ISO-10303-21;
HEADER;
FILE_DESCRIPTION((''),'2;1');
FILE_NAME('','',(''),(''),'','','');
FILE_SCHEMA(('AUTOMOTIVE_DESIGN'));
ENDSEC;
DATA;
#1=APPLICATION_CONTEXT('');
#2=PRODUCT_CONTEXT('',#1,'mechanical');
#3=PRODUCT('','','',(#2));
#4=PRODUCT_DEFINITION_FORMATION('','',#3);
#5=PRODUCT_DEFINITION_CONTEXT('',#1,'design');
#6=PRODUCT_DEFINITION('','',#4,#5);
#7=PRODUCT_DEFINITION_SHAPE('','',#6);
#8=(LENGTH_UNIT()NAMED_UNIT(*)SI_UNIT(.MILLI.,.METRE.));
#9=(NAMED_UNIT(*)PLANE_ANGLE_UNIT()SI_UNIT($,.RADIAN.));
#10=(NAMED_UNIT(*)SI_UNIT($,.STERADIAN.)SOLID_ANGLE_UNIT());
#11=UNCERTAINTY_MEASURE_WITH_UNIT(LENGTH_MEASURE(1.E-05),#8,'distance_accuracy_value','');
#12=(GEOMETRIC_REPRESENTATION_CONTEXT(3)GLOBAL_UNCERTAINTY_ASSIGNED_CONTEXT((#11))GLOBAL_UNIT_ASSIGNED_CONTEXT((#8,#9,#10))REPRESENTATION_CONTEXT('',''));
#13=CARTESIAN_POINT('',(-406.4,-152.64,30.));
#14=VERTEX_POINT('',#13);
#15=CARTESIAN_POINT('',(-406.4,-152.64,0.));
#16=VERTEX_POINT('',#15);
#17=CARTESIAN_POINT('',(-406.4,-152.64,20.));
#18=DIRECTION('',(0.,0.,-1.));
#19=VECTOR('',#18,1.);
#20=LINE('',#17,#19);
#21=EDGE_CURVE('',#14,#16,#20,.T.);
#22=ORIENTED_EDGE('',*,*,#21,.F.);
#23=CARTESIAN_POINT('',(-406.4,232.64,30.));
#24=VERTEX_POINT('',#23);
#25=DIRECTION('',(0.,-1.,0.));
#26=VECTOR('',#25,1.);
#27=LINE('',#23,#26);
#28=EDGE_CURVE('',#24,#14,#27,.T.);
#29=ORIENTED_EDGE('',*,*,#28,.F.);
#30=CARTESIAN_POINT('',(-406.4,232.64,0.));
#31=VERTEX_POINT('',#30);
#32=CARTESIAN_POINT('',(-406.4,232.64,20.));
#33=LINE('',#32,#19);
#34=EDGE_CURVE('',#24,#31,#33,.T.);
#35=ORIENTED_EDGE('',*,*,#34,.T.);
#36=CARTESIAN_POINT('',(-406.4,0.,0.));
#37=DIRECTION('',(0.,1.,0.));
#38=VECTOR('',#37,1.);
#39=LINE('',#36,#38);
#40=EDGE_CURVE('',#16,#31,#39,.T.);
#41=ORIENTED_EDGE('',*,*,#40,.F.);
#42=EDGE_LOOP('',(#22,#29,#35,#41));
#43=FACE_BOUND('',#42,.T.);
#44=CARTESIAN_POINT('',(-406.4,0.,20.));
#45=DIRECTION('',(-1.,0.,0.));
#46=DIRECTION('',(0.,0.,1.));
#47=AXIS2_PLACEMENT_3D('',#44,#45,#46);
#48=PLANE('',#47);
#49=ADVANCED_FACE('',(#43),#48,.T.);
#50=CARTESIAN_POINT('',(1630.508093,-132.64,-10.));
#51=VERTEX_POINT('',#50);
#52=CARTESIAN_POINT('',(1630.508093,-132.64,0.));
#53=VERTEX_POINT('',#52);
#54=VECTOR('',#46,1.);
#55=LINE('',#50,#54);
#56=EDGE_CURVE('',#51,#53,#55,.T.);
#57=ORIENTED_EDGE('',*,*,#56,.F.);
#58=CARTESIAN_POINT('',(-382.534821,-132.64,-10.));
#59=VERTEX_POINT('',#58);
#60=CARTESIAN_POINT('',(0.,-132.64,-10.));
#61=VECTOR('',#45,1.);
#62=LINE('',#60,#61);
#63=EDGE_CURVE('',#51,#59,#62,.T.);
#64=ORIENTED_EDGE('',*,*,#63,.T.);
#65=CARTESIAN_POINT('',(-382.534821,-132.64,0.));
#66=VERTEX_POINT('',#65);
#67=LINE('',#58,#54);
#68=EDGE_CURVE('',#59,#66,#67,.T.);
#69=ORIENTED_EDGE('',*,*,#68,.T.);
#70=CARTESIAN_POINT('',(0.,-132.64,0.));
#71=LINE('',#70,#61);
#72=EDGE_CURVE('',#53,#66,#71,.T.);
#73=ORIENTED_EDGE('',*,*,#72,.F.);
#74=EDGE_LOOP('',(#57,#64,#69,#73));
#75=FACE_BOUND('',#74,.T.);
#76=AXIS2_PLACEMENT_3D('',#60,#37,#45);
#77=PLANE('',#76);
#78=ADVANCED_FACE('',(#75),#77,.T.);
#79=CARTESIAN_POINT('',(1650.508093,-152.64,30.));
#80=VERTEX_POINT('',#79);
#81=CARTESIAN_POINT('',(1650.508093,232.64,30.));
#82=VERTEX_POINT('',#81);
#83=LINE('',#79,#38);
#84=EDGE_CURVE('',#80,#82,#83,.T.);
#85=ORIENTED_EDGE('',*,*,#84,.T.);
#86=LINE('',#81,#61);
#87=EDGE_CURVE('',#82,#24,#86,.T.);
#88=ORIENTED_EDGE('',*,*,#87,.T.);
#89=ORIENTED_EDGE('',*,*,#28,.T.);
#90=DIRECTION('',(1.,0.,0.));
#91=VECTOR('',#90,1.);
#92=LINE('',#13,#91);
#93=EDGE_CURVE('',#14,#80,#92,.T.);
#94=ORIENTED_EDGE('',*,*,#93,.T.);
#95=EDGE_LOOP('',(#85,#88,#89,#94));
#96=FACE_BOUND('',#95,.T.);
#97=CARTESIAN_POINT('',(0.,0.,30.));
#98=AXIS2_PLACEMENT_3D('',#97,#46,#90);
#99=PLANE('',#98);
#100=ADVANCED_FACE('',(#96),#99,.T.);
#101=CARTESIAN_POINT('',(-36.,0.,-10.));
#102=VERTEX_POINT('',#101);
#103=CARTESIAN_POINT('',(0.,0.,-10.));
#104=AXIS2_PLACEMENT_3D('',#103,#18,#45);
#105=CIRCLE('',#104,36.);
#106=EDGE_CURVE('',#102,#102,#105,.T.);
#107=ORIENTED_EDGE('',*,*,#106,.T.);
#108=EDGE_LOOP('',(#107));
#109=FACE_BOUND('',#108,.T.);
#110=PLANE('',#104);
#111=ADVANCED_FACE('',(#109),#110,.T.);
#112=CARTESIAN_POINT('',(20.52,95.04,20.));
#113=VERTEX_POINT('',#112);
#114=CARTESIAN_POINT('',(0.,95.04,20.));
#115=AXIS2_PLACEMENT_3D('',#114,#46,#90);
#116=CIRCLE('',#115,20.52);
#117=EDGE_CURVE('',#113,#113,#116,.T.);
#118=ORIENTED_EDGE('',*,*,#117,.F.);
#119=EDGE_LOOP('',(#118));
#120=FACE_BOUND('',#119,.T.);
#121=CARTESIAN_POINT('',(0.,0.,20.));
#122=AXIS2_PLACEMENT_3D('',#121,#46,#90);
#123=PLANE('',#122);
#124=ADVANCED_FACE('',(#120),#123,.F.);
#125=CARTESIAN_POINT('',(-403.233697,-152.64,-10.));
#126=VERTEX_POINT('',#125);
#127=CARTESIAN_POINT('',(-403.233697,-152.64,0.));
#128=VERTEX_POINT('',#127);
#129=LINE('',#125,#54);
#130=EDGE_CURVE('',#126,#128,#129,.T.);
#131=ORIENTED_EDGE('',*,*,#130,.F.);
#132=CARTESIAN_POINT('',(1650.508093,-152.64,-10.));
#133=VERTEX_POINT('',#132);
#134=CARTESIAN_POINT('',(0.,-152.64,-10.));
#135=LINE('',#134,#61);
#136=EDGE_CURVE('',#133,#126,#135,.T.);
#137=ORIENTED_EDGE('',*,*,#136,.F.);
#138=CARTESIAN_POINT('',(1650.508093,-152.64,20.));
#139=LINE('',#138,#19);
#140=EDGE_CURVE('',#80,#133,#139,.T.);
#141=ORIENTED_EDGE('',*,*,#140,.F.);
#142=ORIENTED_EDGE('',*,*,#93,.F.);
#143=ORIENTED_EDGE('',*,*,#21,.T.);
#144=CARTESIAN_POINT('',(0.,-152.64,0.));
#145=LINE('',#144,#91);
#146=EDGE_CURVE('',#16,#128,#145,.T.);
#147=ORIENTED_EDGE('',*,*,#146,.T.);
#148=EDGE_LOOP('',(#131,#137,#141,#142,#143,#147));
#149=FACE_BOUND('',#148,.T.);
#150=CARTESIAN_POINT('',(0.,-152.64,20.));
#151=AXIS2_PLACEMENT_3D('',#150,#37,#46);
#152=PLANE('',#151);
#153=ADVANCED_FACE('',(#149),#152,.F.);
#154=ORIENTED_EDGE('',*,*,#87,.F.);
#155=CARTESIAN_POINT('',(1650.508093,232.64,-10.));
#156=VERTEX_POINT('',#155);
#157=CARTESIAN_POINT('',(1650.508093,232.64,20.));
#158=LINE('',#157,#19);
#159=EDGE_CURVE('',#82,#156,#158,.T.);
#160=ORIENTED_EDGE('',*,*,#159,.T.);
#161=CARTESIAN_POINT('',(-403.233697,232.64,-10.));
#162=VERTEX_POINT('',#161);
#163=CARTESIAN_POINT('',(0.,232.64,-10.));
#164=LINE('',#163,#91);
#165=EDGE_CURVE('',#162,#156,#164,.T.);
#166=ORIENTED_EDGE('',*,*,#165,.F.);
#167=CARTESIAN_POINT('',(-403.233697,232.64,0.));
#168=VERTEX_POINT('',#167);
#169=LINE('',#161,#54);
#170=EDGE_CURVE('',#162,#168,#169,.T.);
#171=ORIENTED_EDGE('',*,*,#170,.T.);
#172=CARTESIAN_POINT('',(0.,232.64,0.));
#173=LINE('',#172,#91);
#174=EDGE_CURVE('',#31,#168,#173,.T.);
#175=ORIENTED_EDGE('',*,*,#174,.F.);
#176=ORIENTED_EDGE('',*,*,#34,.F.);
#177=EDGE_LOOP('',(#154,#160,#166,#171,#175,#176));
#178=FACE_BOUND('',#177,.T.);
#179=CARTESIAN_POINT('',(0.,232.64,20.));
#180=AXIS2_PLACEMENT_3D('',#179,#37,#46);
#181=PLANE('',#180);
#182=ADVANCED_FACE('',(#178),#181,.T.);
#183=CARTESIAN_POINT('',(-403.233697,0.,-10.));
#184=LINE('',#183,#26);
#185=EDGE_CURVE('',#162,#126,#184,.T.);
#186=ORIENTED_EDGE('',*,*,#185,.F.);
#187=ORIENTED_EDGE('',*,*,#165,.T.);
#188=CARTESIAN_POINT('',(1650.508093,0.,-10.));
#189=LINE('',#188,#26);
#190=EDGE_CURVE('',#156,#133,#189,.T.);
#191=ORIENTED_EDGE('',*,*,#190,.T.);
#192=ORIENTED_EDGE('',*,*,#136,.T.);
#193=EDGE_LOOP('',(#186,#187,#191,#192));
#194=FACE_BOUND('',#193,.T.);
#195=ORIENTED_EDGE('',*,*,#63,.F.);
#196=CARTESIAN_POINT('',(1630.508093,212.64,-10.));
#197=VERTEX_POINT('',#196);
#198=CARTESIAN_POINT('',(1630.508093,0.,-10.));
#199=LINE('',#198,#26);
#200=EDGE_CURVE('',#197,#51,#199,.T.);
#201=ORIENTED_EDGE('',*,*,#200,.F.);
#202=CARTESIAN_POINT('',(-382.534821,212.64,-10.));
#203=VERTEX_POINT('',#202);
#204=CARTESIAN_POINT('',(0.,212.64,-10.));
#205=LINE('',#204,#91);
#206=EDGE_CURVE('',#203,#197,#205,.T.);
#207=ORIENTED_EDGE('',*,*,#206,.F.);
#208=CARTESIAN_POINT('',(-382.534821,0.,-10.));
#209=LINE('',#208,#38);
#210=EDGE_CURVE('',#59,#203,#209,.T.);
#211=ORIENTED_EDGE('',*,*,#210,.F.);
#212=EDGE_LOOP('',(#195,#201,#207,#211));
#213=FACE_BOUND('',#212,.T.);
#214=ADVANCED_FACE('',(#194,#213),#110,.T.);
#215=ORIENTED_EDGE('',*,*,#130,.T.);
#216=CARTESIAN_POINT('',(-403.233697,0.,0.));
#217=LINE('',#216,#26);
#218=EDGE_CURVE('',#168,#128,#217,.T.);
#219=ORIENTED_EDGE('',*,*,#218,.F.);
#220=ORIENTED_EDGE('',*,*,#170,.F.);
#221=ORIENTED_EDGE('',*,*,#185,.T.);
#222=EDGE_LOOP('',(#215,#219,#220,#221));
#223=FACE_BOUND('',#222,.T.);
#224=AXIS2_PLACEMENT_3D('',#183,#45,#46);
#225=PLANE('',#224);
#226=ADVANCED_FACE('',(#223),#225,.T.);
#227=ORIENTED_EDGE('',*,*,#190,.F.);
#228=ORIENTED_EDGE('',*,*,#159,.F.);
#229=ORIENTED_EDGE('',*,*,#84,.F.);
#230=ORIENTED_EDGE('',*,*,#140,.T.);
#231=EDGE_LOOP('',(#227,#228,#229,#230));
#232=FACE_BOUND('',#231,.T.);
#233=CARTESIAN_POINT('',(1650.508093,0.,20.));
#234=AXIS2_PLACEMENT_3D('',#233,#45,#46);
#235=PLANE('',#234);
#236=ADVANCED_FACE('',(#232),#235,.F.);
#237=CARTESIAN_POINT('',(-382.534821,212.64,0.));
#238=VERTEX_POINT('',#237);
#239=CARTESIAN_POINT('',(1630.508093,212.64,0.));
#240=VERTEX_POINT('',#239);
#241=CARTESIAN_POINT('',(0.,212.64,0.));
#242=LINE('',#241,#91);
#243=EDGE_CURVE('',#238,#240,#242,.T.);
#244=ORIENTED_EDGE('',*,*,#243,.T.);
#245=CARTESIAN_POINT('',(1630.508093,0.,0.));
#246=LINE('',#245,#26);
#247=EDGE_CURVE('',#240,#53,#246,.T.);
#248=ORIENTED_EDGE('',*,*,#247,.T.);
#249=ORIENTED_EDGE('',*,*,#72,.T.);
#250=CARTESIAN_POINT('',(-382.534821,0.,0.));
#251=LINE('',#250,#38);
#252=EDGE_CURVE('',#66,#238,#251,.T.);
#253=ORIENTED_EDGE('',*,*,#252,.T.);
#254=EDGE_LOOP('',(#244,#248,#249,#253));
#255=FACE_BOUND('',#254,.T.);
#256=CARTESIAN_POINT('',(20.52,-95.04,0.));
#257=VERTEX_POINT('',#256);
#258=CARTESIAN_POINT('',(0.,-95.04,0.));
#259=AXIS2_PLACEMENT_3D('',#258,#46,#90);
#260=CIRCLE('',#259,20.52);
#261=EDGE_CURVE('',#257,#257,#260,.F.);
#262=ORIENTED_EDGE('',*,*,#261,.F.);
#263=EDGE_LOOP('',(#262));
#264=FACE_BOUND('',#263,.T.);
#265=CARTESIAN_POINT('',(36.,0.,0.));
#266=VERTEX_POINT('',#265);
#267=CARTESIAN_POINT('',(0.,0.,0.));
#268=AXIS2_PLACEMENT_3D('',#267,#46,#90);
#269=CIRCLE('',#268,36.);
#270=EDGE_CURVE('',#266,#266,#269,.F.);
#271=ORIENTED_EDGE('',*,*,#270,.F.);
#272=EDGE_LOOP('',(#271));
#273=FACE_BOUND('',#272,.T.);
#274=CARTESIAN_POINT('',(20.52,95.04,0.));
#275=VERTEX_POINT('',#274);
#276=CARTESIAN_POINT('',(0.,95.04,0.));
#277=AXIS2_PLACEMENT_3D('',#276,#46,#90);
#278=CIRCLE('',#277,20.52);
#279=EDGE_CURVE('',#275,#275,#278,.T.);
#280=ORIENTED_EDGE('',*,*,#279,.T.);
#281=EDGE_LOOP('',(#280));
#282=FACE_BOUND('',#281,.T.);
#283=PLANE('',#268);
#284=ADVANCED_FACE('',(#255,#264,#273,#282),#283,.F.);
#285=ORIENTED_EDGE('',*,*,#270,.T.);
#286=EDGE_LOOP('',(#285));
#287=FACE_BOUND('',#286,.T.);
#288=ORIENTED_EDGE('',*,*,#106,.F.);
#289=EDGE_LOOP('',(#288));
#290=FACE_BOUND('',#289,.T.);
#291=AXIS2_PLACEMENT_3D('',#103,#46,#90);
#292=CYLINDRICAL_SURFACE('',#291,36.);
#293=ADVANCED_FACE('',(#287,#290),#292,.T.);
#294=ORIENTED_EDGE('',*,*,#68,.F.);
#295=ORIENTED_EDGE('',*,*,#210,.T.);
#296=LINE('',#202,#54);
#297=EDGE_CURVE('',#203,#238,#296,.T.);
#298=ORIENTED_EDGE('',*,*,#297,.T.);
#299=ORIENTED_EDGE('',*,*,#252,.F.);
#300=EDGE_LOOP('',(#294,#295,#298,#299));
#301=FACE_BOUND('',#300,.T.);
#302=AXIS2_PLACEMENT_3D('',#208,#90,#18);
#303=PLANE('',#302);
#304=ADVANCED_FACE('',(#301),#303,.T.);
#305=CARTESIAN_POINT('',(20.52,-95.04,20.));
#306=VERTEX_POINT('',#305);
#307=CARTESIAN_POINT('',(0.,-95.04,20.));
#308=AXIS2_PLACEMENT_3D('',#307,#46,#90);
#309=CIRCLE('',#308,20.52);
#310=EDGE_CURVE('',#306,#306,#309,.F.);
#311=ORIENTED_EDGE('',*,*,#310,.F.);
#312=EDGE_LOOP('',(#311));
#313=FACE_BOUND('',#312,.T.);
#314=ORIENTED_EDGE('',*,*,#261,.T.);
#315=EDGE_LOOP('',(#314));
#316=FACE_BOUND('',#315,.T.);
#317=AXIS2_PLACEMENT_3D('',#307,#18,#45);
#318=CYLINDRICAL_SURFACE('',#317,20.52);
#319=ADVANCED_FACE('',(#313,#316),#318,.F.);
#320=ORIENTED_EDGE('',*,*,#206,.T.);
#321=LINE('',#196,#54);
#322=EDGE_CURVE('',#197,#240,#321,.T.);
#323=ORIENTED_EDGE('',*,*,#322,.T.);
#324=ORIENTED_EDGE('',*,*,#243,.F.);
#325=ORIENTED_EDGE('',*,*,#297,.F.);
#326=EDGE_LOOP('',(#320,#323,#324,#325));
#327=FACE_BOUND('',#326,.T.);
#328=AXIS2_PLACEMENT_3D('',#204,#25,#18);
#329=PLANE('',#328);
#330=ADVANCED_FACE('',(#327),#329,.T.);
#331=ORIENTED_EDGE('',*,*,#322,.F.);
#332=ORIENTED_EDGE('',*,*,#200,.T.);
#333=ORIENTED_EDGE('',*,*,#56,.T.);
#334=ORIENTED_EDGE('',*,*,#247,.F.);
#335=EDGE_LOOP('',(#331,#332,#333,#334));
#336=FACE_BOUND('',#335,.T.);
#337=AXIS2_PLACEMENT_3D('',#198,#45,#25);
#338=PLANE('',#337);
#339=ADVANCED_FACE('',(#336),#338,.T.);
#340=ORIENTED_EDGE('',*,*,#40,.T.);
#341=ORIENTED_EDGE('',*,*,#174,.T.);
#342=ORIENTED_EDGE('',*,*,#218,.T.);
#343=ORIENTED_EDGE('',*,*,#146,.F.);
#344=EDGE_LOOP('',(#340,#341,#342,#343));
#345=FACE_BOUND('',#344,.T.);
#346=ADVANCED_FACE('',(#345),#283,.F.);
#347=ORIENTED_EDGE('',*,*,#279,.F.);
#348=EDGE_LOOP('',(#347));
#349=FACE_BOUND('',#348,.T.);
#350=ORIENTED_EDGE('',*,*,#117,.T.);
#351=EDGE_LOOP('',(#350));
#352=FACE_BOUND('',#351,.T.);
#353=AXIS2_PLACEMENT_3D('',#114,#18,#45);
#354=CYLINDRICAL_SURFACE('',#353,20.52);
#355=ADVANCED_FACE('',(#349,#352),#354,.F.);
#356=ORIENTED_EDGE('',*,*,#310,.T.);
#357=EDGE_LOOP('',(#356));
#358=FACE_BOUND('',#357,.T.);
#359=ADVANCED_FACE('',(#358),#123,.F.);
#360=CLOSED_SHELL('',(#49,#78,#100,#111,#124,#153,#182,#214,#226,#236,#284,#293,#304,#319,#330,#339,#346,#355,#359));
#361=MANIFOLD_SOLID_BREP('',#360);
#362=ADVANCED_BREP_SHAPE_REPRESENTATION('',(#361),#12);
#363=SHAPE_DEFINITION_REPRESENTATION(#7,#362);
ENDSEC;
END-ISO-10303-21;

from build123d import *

# Parameters (mm, degrees)
SKETCH1_R           = 36
SKETCH1_R_2         = 20.52
BOSS_EXTRUDE1_DEPTH = 20
SKETCH2_W           = 2056.908092605
SKETCH2_H           = 385.28
BOSS_EXTRUDE2_DEPTH = 10
BOSS_EXTRUDE3_START = 30
SKETCH3_R           = 36
BOSS_EXTRUDE3_DEPTH = 30
SKETCH4_W           = 2013.042913478
SKETCH4_H           = 345.28
BOSS_EXTRUDE4_DEPTH = 10


with BuildPart() as part:
    # Sketch1 → Boss-Extrude1 (new body)
    with BuildSketch(Plane.XY):
        Polygon((-406.4, -152.64), (406.4, -152.64), (1650.508092605, -152.64), (1650.508092605, 232.64), (-406.4, 232.64), (-406.4, 152.64), align=None)
        Circle(SKETCH1_R, mode=Mode.SUBTRACT)
        with Locations((0, 95.04)):
            Circle(SKETCH1_R_2, mode=Mode.SUBTRACT)
        with Locations((0, -95.04)):
            Circle(SKETCH1_R_2, mode=Mode.SUBTRACT)
    extrude(amount=BOSS_EXTRUDE1_DEPTH)

    # Sketch2 → Boss-Extrude2 (add)
    with BuildSketch(Plane.XY.offset(20)):
        with Locations((622.054046302, 40)):
            Rectangle(SKETCH2_W, SKETCH2_H)
    extrude(amount=BOSS_EXTRUDE2_DEPTH)

    # Sketch3 → Boss-Extrude3 (add)
    with BuildSketch(Plane(origin=(0, 0, 20), x_dir=(-1, 0, 0), z_dir=(0, 0, -1)).offset(BOSS_EXTRUDE3_START)):
        with Locations(Location((0, 0, 0), (0, 0, 180))):
            Circle(SKETCH3_R)
    extrude(amount=-BOSS_EXTRUDE3_DEPTH)

    # Sketch4 → Boss-Extrude4 (add)
    with BuildSketch(Plane(origin=(0, 0, 0), x_dir=(-1, 0, 0), z_dir=(0, 0, -1))):
        Polygon((-1630.508092605, 232.64), (-1650.508092605, 232.64), (-1650.508092605, -152.64), (403.233696812, -152.64), (403.233696812, 232.64), align=None)
        with Locations((-623.986635866, 40)):
            Rectangle(SKETCH4_W, SKETCH4_H, mode=Mode.SUBTRACT)
    extrude(amount=BOSS_EXTRUDE4_DEPTH)


solid = part.part
